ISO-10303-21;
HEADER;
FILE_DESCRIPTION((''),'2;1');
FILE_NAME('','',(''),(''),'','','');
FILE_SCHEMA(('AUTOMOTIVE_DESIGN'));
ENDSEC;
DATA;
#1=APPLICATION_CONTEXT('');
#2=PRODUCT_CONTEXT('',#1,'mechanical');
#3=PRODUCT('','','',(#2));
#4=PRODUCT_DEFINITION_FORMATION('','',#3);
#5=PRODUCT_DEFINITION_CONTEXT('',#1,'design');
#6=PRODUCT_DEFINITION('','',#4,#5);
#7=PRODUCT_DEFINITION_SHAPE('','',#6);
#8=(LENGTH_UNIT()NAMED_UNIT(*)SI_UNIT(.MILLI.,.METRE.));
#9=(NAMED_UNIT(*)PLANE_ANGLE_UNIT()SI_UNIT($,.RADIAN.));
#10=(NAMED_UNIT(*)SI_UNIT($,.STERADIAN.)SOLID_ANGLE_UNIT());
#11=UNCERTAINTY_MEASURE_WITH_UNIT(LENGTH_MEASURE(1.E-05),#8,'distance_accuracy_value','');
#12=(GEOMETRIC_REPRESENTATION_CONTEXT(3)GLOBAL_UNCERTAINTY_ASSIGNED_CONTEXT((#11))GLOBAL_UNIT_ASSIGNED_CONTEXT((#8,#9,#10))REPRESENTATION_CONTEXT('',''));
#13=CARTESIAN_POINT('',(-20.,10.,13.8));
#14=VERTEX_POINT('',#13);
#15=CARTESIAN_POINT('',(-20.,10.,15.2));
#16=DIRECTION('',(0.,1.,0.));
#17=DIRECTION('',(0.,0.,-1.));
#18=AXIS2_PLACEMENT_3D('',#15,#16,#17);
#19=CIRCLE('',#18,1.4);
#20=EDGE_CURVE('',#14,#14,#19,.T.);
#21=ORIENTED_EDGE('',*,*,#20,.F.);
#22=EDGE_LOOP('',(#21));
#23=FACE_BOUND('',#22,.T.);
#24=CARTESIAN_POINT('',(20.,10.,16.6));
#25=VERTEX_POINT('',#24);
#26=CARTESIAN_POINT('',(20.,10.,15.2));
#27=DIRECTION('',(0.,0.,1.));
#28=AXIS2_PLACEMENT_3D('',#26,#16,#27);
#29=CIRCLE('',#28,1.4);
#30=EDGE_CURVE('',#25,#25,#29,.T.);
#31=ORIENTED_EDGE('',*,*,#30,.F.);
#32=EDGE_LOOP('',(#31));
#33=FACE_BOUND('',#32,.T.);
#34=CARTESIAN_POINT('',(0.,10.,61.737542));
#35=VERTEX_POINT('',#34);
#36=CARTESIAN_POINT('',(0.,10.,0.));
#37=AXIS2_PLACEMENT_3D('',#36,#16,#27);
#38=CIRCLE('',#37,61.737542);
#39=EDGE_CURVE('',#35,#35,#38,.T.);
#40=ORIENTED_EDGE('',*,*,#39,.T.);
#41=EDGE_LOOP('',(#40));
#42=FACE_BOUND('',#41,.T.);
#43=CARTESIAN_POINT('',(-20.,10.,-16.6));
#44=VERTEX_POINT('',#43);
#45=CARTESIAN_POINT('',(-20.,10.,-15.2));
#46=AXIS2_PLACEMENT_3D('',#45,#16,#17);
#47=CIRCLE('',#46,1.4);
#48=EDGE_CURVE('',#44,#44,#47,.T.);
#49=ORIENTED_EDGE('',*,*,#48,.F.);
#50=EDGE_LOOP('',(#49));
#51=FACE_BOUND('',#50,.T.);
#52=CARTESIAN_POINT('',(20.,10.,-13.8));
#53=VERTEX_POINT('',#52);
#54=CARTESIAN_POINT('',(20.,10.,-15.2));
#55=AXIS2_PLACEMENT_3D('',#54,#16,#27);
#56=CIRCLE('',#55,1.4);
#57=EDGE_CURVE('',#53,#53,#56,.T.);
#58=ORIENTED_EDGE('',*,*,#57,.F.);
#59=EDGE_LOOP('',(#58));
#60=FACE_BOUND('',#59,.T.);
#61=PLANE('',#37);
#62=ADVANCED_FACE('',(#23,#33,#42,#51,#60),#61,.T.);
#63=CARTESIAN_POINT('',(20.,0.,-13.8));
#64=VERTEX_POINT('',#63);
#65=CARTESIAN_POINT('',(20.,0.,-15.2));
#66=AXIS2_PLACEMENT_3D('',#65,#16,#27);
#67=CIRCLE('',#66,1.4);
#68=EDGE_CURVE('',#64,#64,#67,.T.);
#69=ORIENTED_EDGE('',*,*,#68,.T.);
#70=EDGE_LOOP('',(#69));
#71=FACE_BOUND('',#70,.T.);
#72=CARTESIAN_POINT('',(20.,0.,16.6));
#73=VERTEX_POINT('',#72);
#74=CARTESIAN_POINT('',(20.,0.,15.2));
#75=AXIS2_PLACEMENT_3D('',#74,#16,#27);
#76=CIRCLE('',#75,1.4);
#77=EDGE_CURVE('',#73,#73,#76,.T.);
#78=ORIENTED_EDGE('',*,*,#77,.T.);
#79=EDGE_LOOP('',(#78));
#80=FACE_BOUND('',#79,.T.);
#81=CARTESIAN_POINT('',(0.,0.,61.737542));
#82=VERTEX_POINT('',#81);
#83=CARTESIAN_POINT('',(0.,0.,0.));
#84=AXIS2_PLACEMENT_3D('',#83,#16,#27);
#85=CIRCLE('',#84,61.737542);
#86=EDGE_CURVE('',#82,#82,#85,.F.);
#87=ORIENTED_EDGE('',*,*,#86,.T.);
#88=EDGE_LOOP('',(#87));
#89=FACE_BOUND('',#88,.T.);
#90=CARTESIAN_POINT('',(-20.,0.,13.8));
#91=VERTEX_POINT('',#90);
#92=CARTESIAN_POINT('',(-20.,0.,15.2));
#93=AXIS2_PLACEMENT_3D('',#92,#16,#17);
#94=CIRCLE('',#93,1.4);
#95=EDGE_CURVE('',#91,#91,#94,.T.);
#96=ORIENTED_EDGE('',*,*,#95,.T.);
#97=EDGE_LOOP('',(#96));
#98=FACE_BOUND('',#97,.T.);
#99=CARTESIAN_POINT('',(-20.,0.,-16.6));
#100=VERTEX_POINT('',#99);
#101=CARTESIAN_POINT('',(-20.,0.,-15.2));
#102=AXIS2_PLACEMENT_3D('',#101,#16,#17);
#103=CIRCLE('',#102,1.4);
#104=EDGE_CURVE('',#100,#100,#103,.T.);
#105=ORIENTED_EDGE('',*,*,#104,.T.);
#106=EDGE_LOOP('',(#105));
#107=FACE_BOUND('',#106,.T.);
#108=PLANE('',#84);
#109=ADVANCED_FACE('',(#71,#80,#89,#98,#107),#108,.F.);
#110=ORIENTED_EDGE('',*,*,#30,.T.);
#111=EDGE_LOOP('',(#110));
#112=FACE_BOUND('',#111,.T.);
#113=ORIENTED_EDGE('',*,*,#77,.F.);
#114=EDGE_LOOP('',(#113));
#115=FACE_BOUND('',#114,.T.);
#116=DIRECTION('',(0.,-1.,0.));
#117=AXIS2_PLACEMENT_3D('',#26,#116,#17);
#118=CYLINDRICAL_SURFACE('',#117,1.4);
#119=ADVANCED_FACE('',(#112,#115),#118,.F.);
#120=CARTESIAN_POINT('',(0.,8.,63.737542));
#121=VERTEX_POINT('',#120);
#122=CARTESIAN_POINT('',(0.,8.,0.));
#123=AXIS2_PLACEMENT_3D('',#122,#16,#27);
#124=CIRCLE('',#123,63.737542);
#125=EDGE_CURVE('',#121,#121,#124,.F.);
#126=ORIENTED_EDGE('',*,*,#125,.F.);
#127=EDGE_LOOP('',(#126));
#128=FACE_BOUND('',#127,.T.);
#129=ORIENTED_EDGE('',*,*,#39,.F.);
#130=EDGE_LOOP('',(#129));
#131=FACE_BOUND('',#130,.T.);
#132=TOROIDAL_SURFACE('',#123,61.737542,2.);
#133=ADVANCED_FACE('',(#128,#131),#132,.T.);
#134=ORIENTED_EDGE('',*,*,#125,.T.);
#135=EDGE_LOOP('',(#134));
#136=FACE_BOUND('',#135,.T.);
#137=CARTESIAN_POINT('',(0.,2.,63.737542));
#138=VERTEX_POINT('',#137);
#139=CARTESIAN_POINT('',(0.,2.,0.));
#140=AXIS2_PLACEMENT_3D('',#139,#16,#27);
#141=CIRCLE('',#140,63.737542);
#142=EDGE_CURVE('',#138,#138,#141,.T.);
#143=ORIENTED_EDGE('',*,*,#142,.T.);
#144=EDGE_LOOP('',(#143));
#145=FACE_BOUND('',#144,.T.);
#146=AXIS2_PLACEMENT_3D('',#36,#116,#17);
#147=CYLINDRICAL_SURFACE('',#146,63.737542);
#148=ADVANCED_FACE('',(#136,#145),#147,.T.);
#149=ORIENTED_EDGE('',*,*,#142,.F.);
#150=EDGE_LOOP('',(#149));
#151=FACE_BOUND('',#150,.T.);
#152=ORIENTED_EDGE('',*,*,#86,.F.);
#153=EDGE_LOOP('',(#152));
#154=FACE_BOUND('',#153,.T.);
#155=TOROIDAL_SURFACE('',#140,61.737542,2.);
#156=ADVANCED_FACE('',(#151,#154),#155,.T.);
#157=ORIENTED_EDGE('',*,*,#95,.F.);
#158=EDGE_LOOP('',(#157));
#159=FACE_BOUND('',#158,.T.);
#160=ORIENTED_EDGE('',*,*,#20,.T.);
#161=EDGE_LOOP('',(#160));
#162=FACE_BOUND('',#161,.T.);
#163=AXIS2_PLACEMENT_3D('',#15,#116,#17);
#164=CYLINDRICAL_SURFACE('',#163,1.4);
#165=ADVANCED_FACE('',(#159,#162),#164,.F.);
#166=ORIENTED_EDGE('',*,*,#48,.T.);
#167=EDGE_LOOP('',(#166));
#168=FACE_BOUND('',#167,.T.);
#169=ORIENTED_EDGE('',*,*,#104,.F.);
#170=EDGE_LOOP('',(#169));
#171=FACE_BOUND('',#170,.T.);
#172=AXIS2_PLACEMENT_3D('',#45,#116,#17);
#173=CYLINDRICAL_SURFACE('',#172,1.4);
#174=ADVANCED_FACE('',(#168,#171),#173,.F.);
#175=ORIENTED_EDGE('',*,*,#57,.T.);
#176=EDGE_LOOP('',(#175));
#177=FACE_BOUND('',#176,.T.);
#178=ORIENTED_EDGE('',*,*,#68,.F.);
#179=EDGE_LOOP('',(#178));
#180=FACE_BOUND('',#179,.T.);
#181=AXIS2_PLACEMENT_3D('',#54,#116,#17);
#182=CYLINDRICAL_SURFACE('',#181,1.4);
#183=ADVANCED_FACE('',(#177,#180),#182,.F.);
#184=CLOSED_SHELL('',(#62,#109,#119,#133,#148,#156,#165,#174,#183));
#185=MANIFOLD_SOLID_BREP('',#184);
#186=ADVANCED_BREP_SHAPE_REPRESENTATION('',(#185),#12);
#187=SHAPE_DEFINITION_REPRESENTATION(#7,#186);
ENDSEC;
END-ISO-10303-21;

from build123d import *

# Parameters (mm, degrees)
SKETCH1_R           = 63.737542135
SKETCH1_R_2         = 1.4
BOSS_EXTRUDE1_DEPTH = 10
FILLET1_R           = 2
FILLET2_R           = 2


with BuildPart() as part:
    # Sketch1 → Boss-Extrude1 (new body)
    with BuildSketch(Plane(origin=(0, 0, 0), x_dir=(1, 0, 0), z_dir=(0, 1, 0))):
        with Locations(Location((0, 0, 0), (0, 0, 270))):
            Circle(SKETCH1_R)
        with Locations(Location((20, 15.2, 0), (0, 0, 270))):
            Circle(SKETCH1_R_2, mode=Mode.SUBTRACT)
        with Locations(Location((20, -15.2, 0), (0, 0, 270))):
            Circle(SKETCH1_R_2, mode=Mode.SUBTRACT)
        with Locations(Location((-20, -15.2, 0), (0, 0, 90))):
            Circle(SKETCH1_R_2, mode=Mode.SUBTRACT)
        with Locations(Location((-20, 15.2, 0), (0, 0, 90))):
            Circle(SKETCH1_R_2, mode=Mode.SUBTRACT)
    extrude(amount=BOSS_EXTRUDE1_DEPTH)

    # Fillet1
    fillet1_edges = [part.edges().sort_by_distance(p)[0] for p in [
        (0, 0, -63.737542135),
    ]]
    fillet(fillet1_edges, radius=FILLET1_R)

    # Fillet2
    fillet2_edges = [part.edges().sort_by_distance(p)[0] for p in [
        (0, 10, -63.737542135),
    ]]
    fillet(fillet2_edges, radius=FILLET2_R)


solid = part.part
